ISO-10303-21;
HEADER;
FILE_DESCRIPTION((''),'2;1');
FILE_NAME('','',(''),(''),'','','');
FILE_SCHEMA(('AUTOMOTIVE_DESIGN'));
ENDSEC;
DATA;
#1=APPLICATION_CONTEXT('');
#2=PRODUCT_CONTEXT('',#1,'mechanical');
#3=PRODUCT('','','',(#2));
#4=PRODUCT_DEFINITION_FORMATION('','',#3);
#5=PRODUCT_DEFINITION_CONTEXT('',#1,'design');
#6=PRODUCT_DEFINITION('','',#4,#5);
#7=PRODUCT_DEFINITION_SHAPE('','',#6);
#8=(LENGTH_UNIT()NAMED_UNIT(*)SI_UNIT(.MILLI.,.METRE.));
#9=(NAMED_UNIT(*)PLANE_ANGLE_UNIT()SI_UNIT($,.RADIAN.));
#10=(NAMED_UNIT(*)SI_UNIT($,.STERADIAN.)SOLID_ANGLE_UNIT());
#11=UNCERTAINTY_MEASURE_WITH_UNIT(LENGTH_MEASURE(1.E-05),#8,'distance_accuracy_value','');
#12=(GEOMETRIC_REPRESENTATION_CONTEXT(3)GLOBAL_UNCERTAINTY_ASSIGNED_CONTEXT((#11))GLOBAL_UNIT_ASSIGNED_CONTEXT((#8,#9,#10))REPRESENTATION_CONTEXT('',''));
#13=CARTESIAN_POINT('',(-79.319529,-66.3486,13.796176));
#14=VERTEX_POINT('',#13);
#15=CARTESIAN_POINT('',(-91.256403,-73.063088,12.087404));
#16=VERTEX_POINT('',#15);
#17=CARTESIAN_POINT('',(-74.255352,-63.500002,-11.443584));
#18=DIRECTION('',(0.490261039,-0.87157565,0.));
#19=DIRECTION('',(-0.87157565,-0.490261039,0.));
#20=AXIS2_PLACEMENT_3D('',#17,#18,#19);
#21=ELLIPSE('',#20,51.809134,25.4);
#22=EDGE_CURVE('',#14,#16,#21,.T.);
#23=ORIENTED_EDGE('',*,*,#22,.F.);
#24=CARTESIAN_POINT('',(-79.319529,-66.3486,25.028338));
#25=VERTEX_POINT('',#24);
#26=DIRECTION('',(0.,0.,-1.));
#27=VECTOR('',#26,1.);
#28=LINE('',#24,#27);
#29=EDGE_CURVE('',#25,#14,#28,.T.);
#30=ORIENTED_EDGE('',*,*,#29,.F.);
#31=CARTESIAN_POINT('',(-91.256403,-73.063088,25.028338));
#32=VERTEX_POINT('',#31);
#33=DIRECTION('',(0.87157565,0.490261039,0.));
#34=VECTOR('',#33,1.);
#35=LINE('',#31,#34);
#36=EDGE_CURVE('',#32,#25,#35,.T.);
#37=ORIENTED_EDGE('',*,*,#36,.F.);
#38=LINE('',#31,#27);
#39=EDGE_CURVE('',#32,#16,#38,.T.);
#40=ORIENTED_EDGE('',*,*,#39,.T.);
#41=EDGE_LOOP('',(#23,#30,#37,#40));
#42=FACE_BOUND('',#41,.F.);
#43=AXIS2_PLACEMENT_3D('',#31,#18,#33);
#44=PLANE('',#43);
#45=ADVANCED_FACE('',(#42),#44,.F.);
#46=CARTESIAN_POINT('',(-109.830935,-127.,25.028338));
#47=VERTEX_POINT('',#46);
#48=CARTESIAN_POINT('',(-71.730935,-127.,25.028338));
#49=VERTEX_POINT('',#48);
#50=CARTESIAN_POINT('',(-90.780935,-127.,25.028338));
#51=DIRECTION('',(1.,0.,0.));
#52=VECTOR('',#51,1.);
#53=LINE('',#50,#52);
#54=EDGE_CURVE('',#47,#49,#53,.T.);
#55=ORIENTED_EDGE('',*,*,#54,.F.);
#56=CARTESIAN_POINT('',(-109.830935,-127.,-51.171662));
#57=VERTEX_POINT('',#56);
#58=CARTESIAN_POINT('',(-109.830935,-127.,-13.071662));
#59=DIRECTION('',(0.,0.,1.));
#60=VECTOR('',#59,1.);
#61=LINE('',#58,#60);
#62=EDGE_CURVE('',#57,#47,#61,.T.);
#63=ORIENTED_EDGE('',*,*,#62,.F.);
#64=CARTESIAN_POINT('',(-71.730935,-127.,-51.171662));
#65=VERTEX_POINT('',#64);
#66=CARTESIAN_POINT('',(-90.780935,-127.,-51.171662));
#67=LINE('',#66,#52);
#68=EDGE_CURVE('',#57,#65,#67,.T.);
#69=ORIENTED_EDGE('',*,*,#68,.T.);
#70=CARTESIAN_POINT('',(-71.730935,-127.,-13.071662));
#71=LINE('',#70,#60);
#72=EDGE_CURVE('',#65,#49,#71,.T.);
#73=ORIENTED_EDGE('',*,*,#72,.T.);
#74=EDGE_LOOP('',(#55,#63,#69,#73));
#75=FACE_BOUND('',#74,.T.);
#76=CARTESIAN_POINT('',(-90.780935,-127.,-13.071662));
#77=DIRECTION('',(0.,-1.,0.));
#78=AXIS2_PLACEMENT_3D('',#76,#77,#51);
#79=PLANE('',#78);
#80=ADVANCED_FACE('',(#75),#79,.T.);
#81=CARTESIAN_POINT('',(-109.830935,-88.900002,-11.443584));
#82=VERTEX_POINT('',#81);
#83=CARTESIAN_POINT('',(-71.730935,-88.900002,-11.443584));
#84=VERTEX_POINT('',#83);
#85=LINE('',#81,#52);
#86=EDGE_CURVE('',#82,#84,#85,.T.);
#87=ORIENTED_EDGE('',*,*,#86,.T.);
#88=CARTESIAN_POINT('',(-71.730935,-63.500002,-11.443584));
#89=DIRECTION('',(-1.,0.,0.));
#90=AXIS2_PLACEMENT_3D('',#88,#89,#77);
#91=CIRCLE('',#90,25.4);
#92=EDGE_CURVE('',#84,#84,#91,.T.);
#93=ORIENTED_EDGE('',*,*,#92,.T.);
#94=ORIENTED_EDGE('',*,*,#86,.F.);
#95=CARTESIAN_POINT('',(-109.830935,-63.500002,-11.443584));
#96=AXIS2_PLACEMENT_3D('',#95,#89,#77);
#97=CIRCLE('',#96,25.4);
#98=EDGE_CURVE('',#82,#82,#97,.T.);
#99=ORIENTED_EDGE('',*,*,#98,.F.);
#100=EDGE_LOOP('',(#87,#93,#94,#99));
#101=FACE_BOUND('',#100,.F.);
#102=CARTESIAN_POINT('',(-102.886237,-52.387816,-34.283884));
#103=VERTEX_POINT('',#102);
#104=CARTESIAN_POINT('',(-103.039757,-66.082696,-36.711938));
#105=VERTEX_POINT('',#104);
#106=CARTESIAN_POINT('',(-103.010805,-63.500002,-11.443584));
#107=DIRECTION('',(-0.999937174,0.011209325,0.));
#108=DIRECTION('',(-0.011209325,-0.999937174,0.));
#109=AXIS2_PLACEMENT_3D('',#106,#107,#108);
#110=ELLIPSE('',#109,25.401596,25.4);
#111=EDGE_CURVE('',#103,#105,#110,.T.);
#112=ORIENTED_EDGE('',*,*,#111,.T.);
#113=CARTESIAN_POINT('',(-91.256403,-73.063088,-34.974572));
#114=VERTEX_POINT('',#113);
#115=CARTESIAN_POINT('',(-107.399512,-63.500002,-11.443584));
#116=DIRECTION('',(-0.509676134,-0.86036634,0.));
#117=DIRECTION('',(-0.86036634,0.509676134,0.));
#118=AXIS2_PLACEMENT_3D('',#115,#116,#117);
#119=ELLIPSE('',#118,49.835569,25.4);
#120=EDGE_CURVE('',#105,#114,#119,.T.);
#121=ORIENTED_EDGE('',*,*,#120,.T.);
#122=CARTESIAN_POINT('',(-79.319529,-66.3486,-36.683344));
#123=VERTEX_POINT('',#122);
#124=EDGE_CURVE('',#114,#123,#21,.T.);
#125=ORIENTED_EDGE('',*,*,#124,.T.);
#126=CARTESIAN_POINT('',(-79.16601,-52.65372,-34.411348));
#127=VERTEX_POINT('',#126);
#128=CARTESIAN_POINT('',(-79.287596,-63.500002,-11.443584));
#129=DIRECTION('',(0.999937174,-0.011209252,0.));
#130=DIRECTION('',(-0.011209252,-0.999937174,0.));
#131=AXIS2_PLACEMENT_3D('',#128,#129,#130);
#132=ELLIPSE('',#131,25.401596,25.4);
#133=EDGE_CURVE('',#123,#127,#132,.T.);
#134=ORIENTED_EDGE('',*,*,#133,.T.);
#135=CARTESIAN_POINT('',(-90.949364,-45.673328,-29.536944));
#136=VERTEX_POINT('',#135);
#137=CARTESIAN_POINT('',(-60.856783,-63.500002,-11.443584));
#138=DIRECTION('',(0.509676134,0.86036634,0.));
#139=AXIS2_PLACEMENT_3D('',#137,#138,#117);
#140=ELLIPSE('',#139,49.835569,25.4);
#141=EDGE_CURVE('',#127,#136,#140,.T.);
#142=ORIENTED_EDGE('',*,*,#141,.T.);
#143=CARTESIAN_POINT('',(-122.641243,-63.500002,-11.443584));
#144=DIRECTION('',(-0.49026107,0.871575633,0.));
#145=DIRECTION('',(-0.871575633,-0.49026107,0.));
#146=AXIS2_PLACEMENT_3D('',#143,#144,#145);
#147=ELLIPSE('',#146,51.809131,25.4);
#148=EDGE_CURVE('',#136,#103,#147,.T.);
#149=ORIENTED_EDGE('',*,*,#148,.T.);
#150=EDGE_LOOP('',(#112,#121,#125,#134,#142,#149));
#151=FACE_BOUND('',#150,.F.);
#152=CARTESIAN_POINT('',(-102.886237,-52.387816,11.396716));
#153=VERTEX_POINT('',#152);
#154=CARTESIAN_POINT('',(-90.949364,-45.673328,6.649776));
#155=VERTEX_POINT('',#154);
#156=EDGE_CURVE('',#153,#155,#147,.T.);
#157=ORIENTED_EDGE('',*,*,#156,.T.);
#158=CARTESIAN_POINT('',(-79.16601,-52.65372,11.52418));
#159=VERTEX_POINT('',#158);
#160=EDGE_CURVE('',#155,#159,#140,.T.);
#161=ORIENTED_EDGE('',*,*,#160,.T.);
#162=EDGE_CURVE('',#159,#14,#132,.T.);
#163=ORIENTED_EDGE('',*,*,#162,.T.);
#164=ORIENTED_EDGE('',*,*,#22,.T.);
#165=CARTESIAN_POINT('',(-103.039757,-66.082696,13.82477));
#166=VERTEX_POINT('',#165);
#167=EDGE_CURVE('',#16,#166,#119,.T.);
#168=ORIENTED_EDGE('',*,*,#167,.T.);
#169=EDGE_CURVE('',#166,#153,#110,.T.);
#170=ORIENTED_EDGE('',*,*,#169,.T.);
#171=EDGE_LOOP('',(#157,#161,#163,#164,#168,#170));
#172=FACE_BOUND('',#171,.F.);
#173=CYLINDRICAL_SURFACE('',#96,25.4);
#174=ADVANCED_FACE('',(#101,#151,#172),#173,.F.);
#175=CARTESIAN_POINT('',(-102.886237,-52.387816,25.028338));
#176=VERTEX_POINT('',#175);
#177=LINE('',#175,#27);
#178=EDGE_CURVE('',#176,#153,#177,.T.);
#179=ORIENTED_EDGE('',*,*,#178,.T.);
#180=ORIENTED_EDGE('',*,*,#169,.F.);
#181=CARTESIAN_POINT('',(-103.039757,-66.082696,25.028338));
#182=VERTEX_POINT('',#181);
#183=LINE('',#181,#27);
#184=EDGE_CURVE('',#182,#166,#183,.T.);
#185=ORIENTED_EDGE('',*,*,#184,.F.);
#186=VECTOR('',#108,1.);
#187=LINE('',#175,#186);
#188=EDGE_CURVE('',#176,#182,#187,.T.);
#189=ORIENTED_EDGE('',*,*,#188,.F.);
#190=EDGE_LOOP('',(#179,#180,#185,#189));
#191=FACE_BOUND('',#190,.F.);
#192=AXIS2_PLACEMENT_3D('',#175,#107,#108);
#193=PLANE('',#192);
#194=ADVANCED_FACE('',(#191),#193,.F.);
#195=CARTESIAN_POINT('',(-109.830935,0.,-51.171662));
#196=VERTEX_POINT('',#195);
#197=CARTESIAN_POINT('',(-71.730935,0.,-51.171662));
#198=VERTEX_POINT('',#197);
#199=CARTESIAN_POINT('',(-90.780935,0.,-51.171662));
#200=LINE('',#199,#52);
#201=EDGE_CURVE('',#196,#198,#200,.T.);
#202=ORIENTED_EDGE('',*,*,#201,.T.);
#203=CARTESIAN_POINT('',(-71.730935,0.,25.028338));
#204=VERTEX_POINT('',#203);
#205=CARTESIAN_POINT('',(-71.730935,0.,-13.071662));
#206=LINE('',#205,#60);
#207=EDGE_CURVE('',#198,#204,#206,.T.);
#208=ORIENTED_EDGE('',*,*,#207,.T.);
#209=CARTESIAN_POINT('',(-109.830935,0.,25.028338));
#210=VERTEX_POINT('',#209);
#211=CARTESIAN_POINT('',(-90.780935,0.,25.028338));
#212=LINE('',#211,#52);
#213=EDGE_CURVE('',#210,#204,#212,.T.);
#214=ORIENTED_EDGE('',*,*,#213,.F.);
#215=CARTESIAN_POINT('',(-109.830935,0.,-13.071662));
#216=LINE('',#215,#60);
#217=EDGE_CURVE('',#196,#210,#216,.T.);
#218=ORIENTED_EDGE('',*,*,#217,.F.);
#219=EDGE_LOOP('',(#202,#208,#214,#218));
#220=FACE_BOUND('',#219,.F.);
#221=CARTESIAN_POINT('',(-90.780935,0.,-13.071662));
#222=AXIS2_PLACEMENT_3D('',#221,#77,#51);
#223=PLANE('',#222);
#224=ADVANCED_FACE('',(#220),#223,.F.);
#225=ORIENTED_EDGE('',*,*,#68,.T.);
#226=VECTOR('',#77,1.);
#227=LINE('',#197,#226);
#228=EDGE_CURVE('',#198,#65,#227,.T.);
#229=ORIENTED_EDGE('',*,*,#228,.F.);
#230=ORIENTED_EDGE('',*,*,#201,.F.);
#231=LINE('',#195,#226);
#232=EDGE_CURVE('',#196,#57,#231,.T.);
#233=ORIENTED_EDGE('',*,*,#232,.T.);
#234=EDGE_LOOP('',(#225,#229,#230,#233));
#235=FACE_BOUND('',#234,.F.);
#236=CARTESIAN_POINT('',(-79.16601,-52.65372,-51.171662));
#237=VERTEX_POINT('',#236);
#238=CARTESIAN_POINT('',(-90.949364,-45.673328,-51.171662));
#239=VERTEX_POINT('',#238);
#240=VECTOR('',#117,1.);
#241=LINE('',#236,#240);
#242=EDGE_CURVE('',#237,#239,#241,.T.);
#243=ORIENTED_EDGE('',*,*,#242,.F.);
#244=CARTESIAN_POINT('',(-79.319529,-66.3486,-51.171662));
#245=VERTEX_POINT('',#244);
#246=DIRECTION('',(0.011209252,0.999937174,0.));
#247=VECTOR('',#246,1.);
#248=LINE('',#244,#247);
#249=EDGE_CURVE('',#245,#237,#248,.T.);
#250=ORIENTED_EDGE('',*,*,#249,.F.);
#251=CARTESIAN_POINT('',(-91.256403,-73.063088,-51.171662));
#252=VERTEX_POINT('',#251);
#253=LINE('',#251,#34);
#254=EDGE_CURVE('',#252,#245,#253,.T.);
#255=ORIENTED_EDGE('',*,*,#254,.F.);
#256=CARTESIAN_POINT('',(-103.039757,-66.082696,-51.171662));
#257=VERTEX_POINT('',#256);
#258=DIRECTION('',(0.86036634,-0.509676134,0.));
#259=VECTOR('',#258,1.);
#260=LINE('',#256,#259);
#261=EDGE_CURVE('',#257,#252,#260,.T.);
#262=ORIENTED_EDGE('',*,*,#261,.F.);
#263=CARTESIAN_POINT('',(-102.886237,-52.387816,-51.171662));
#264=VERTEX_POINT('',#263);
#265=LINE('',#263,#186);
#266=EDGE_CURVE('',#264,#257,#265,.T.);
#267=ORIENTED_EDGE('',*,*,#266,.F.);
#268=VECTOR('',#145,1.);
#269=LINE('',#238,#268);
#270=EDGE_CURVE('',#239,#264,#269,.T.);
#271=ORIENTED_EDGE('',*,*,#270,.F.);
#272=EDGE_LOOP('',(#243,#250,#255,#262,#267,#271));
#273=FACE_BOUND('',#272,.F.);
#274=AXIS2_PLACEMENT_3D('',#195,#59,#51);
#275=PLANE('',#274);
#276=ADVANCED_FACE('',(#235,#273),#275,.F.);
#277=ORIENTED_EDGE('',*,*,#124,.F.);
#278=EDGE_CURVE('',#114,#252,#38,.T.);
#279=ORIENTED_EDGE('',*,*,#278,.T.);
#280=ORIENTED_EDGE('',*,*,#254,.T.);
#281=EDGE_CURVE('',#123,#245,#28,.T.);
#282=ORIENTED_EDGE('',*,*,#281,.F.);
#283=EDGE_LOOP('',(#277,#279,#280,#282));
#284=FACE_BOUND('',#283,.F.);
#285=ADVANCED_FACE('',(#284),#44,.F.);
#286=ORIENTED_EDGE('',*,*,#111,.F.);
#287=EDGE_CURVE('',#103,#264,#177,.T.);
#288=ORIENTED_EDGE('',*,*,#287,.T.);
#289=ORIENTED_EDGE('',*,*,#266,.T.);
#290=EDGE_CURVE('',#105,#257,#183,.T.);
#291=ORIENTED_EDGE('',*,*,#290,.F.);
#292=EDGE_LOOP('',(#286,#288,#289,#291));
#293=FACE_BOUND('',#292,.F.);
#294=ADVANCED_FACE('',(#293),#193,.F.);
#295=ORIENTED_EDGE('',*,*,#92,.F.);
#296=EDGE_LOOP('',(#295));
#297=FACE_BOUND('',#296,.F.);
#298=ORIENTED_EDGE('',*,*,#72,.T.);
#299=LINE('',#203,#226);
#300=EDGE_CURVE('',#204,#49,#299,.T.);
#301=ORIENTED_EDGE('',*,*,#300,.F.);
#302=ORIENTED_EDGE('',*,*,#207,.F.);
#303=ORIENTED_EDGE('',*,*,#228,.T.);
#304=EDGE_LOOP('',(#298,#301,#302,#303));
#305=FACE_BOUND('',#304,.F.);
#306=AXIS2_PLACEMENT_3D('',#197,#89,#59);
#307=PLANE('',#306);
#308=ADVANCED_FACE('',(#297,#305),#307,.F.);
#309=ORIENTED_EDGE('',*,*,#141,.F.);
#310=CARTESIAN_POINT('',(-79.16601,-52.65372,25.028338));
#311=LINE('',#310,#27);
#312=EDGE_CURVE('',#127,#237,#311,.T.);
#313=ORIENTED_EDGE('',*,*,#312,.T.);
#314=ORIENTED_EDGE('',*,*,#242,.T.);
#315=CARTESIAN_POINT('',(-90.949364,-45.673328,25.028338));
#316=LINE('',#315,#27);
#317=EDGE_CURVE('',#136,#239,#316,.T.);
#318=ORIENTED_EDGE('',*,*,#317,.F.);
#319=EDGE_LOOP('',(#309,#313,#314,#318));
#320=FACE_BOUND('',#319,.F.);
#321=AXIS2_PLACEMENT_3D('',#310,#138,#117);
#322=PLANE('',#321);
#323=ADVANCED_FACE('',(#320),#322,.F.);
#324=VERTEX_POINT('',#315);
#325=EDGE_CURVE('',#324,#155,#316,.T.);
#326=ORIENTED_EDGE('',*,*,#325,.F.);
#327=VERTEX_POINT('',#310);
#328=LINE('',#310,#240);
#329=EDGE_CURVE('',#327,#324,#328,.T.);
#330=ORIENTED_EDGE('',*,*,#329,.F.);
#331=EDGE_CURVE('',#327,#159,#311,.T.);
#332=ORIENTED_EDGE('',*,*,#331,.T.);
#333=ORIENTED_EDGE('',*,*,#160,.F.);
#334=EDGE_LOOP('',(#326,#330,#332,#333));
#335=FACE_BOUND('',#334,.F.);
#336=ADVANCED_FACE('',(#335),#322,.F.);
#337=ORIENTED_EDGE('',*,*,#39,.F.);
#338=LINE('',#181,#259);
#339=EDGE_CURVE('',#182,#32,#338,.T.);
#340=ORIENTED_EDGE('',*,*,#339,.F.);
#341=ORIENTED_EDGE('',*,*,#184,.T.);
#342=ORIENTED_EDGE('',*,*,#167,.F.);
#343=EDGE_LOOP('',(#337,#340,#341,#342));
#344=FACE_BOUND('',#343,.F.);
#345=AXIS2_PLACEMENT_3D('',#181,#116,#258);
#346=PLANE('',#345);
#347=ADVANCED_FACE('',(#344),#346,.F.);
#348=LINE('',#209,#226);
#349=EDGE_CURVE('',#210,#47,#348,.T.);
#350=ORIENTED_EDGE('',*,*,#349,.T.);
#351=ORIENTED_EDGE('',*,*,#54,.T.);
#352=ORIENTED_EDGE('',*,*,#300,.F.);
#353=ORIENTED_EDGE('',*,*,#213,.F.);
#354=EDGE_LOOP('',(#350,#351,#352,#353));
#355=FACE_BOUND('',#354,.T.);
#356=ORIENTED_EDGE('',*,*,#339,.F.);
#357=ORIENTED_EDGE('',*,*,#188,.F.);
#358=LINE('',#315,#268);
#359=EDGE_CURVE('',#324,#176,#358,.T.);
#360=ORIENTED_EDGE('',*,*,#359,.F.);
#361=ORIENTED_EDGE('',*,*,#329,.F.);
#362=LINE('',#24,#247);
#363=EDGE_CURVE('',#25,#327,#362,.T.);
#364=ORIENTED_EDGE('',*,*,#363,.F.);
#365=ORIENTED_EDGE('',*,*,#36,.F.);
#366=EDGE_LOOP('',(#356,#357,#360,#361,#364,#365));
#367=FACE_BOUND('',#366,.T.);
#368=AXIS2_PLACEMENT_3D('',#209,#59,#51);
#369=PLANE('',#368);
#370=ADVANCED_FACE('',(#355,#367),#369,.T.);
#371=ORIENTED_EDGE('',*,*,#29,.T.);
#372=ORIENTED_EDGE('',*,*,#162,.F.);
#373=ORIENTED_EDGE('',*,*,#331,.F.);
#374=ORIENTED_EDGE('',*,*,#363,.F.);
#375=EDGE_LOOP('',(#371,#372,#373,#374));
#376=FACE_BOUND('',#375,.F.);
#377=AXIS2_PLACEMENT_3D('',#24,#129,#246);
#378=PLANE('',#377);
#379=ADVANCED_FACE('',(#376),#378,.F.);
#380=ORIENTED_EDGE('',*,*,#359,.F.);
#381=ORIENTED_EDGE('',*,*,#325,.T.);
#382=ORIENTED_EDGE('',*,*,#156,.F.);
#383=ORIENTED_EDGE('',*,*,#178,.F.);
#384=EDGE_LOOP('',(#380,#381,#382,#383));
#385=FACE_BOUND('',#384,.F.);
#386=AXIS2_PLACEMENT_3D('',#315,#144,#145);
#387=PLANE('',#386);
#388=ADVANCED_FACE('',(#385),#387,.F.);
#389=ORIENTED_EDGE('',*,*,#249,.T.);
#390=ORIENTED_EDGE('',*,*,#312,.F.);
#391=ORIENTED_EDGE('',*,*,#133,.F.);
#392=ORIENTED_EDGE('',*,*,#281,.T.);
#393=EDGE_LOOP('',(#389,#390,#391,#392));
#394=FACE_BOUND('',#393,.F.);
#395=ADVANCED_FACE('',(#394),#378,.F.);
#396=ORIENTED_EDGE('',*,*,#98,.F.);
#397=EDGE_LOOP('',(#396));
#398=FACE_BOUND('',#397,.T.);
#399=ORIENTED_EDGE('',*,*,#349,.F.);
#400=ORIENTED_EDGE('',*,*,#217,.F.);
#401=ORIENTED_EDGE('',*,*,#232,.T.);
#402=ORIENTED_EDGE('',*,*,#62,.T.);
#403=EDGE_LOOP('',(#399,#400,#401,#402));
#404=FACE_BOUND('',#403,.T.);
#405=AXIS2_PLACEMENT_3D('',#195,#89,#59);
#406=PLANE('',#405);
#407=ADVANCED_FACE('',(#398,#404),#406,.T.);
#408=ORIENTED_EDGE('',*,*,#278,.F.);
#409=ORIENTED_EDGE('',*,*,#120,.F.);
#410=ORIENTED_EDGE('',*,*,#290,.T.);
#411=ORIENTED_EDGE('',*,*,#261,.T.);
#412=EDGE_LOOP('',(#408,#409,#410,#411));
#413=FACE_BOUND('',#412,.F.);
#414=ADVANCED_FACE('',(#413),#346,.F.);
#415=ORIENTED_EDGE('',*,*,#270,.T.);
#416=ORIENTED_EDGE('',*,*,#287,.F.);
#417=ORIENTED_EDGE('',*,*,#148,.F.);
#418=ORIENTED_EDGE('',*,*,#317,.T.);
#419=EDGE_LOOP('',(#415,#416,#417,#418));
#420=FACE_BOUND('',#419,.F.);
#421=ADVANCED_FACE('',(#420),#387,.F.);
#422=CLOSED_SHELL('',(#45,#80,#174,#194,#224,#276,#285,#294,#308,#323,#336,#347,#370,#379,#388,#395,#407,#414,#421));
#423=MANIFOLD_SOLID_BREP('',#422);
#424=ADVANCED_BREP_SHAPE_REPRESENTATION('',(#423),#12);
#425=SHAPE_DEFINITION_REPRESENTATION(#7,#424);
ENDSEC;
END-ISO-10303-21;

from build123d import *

# Parameters (mm, degrees)
F0_W     = 38.1
F0_H     = 76.2
F1_DEPTH = 127
F2_R     = 25.4
F3_DEPTH = 101.6
F5_DEPTH = 76.2


with BuildPart() as f1:
    # F0 (on Front) → F1 (new body)
    with BuildSketch(Plane.XZ):
        with Locations((-90.780935, -13.071662)):
            Rectangle(F0_W, F0_H)
    extrude(amount=F1_DEPTH)

    # F2 (on face) → F3 (cut)
    with BuildSketch(Plane(origin=(-109.830935, 0, 0), x_dir=(0, -1, 0), z_dir=(-1, 0, 0))):
        with Locations((63.500002, -11.443584)):
            Circle(F2_R)
    extrude(amount=-F3_DEPTH, mode=Mode.SUBTRACT)

    # F4 (on face) → F5 (cut, through all)
    with BuildSketch(Plane.XY.offset(25.028338)):
        Polygon((-90.949364, -45.673328), (-102.886237, -52.387816), (-103.039757, -66.082696), (-91.256403, -73.063088), (-79.319529, -66.3486), (-79.16601, -52.65372), align=None)
    extrude(amount=-F5_DEPTH, mode=Mode.SUBTRACT)


solid = f1.part
